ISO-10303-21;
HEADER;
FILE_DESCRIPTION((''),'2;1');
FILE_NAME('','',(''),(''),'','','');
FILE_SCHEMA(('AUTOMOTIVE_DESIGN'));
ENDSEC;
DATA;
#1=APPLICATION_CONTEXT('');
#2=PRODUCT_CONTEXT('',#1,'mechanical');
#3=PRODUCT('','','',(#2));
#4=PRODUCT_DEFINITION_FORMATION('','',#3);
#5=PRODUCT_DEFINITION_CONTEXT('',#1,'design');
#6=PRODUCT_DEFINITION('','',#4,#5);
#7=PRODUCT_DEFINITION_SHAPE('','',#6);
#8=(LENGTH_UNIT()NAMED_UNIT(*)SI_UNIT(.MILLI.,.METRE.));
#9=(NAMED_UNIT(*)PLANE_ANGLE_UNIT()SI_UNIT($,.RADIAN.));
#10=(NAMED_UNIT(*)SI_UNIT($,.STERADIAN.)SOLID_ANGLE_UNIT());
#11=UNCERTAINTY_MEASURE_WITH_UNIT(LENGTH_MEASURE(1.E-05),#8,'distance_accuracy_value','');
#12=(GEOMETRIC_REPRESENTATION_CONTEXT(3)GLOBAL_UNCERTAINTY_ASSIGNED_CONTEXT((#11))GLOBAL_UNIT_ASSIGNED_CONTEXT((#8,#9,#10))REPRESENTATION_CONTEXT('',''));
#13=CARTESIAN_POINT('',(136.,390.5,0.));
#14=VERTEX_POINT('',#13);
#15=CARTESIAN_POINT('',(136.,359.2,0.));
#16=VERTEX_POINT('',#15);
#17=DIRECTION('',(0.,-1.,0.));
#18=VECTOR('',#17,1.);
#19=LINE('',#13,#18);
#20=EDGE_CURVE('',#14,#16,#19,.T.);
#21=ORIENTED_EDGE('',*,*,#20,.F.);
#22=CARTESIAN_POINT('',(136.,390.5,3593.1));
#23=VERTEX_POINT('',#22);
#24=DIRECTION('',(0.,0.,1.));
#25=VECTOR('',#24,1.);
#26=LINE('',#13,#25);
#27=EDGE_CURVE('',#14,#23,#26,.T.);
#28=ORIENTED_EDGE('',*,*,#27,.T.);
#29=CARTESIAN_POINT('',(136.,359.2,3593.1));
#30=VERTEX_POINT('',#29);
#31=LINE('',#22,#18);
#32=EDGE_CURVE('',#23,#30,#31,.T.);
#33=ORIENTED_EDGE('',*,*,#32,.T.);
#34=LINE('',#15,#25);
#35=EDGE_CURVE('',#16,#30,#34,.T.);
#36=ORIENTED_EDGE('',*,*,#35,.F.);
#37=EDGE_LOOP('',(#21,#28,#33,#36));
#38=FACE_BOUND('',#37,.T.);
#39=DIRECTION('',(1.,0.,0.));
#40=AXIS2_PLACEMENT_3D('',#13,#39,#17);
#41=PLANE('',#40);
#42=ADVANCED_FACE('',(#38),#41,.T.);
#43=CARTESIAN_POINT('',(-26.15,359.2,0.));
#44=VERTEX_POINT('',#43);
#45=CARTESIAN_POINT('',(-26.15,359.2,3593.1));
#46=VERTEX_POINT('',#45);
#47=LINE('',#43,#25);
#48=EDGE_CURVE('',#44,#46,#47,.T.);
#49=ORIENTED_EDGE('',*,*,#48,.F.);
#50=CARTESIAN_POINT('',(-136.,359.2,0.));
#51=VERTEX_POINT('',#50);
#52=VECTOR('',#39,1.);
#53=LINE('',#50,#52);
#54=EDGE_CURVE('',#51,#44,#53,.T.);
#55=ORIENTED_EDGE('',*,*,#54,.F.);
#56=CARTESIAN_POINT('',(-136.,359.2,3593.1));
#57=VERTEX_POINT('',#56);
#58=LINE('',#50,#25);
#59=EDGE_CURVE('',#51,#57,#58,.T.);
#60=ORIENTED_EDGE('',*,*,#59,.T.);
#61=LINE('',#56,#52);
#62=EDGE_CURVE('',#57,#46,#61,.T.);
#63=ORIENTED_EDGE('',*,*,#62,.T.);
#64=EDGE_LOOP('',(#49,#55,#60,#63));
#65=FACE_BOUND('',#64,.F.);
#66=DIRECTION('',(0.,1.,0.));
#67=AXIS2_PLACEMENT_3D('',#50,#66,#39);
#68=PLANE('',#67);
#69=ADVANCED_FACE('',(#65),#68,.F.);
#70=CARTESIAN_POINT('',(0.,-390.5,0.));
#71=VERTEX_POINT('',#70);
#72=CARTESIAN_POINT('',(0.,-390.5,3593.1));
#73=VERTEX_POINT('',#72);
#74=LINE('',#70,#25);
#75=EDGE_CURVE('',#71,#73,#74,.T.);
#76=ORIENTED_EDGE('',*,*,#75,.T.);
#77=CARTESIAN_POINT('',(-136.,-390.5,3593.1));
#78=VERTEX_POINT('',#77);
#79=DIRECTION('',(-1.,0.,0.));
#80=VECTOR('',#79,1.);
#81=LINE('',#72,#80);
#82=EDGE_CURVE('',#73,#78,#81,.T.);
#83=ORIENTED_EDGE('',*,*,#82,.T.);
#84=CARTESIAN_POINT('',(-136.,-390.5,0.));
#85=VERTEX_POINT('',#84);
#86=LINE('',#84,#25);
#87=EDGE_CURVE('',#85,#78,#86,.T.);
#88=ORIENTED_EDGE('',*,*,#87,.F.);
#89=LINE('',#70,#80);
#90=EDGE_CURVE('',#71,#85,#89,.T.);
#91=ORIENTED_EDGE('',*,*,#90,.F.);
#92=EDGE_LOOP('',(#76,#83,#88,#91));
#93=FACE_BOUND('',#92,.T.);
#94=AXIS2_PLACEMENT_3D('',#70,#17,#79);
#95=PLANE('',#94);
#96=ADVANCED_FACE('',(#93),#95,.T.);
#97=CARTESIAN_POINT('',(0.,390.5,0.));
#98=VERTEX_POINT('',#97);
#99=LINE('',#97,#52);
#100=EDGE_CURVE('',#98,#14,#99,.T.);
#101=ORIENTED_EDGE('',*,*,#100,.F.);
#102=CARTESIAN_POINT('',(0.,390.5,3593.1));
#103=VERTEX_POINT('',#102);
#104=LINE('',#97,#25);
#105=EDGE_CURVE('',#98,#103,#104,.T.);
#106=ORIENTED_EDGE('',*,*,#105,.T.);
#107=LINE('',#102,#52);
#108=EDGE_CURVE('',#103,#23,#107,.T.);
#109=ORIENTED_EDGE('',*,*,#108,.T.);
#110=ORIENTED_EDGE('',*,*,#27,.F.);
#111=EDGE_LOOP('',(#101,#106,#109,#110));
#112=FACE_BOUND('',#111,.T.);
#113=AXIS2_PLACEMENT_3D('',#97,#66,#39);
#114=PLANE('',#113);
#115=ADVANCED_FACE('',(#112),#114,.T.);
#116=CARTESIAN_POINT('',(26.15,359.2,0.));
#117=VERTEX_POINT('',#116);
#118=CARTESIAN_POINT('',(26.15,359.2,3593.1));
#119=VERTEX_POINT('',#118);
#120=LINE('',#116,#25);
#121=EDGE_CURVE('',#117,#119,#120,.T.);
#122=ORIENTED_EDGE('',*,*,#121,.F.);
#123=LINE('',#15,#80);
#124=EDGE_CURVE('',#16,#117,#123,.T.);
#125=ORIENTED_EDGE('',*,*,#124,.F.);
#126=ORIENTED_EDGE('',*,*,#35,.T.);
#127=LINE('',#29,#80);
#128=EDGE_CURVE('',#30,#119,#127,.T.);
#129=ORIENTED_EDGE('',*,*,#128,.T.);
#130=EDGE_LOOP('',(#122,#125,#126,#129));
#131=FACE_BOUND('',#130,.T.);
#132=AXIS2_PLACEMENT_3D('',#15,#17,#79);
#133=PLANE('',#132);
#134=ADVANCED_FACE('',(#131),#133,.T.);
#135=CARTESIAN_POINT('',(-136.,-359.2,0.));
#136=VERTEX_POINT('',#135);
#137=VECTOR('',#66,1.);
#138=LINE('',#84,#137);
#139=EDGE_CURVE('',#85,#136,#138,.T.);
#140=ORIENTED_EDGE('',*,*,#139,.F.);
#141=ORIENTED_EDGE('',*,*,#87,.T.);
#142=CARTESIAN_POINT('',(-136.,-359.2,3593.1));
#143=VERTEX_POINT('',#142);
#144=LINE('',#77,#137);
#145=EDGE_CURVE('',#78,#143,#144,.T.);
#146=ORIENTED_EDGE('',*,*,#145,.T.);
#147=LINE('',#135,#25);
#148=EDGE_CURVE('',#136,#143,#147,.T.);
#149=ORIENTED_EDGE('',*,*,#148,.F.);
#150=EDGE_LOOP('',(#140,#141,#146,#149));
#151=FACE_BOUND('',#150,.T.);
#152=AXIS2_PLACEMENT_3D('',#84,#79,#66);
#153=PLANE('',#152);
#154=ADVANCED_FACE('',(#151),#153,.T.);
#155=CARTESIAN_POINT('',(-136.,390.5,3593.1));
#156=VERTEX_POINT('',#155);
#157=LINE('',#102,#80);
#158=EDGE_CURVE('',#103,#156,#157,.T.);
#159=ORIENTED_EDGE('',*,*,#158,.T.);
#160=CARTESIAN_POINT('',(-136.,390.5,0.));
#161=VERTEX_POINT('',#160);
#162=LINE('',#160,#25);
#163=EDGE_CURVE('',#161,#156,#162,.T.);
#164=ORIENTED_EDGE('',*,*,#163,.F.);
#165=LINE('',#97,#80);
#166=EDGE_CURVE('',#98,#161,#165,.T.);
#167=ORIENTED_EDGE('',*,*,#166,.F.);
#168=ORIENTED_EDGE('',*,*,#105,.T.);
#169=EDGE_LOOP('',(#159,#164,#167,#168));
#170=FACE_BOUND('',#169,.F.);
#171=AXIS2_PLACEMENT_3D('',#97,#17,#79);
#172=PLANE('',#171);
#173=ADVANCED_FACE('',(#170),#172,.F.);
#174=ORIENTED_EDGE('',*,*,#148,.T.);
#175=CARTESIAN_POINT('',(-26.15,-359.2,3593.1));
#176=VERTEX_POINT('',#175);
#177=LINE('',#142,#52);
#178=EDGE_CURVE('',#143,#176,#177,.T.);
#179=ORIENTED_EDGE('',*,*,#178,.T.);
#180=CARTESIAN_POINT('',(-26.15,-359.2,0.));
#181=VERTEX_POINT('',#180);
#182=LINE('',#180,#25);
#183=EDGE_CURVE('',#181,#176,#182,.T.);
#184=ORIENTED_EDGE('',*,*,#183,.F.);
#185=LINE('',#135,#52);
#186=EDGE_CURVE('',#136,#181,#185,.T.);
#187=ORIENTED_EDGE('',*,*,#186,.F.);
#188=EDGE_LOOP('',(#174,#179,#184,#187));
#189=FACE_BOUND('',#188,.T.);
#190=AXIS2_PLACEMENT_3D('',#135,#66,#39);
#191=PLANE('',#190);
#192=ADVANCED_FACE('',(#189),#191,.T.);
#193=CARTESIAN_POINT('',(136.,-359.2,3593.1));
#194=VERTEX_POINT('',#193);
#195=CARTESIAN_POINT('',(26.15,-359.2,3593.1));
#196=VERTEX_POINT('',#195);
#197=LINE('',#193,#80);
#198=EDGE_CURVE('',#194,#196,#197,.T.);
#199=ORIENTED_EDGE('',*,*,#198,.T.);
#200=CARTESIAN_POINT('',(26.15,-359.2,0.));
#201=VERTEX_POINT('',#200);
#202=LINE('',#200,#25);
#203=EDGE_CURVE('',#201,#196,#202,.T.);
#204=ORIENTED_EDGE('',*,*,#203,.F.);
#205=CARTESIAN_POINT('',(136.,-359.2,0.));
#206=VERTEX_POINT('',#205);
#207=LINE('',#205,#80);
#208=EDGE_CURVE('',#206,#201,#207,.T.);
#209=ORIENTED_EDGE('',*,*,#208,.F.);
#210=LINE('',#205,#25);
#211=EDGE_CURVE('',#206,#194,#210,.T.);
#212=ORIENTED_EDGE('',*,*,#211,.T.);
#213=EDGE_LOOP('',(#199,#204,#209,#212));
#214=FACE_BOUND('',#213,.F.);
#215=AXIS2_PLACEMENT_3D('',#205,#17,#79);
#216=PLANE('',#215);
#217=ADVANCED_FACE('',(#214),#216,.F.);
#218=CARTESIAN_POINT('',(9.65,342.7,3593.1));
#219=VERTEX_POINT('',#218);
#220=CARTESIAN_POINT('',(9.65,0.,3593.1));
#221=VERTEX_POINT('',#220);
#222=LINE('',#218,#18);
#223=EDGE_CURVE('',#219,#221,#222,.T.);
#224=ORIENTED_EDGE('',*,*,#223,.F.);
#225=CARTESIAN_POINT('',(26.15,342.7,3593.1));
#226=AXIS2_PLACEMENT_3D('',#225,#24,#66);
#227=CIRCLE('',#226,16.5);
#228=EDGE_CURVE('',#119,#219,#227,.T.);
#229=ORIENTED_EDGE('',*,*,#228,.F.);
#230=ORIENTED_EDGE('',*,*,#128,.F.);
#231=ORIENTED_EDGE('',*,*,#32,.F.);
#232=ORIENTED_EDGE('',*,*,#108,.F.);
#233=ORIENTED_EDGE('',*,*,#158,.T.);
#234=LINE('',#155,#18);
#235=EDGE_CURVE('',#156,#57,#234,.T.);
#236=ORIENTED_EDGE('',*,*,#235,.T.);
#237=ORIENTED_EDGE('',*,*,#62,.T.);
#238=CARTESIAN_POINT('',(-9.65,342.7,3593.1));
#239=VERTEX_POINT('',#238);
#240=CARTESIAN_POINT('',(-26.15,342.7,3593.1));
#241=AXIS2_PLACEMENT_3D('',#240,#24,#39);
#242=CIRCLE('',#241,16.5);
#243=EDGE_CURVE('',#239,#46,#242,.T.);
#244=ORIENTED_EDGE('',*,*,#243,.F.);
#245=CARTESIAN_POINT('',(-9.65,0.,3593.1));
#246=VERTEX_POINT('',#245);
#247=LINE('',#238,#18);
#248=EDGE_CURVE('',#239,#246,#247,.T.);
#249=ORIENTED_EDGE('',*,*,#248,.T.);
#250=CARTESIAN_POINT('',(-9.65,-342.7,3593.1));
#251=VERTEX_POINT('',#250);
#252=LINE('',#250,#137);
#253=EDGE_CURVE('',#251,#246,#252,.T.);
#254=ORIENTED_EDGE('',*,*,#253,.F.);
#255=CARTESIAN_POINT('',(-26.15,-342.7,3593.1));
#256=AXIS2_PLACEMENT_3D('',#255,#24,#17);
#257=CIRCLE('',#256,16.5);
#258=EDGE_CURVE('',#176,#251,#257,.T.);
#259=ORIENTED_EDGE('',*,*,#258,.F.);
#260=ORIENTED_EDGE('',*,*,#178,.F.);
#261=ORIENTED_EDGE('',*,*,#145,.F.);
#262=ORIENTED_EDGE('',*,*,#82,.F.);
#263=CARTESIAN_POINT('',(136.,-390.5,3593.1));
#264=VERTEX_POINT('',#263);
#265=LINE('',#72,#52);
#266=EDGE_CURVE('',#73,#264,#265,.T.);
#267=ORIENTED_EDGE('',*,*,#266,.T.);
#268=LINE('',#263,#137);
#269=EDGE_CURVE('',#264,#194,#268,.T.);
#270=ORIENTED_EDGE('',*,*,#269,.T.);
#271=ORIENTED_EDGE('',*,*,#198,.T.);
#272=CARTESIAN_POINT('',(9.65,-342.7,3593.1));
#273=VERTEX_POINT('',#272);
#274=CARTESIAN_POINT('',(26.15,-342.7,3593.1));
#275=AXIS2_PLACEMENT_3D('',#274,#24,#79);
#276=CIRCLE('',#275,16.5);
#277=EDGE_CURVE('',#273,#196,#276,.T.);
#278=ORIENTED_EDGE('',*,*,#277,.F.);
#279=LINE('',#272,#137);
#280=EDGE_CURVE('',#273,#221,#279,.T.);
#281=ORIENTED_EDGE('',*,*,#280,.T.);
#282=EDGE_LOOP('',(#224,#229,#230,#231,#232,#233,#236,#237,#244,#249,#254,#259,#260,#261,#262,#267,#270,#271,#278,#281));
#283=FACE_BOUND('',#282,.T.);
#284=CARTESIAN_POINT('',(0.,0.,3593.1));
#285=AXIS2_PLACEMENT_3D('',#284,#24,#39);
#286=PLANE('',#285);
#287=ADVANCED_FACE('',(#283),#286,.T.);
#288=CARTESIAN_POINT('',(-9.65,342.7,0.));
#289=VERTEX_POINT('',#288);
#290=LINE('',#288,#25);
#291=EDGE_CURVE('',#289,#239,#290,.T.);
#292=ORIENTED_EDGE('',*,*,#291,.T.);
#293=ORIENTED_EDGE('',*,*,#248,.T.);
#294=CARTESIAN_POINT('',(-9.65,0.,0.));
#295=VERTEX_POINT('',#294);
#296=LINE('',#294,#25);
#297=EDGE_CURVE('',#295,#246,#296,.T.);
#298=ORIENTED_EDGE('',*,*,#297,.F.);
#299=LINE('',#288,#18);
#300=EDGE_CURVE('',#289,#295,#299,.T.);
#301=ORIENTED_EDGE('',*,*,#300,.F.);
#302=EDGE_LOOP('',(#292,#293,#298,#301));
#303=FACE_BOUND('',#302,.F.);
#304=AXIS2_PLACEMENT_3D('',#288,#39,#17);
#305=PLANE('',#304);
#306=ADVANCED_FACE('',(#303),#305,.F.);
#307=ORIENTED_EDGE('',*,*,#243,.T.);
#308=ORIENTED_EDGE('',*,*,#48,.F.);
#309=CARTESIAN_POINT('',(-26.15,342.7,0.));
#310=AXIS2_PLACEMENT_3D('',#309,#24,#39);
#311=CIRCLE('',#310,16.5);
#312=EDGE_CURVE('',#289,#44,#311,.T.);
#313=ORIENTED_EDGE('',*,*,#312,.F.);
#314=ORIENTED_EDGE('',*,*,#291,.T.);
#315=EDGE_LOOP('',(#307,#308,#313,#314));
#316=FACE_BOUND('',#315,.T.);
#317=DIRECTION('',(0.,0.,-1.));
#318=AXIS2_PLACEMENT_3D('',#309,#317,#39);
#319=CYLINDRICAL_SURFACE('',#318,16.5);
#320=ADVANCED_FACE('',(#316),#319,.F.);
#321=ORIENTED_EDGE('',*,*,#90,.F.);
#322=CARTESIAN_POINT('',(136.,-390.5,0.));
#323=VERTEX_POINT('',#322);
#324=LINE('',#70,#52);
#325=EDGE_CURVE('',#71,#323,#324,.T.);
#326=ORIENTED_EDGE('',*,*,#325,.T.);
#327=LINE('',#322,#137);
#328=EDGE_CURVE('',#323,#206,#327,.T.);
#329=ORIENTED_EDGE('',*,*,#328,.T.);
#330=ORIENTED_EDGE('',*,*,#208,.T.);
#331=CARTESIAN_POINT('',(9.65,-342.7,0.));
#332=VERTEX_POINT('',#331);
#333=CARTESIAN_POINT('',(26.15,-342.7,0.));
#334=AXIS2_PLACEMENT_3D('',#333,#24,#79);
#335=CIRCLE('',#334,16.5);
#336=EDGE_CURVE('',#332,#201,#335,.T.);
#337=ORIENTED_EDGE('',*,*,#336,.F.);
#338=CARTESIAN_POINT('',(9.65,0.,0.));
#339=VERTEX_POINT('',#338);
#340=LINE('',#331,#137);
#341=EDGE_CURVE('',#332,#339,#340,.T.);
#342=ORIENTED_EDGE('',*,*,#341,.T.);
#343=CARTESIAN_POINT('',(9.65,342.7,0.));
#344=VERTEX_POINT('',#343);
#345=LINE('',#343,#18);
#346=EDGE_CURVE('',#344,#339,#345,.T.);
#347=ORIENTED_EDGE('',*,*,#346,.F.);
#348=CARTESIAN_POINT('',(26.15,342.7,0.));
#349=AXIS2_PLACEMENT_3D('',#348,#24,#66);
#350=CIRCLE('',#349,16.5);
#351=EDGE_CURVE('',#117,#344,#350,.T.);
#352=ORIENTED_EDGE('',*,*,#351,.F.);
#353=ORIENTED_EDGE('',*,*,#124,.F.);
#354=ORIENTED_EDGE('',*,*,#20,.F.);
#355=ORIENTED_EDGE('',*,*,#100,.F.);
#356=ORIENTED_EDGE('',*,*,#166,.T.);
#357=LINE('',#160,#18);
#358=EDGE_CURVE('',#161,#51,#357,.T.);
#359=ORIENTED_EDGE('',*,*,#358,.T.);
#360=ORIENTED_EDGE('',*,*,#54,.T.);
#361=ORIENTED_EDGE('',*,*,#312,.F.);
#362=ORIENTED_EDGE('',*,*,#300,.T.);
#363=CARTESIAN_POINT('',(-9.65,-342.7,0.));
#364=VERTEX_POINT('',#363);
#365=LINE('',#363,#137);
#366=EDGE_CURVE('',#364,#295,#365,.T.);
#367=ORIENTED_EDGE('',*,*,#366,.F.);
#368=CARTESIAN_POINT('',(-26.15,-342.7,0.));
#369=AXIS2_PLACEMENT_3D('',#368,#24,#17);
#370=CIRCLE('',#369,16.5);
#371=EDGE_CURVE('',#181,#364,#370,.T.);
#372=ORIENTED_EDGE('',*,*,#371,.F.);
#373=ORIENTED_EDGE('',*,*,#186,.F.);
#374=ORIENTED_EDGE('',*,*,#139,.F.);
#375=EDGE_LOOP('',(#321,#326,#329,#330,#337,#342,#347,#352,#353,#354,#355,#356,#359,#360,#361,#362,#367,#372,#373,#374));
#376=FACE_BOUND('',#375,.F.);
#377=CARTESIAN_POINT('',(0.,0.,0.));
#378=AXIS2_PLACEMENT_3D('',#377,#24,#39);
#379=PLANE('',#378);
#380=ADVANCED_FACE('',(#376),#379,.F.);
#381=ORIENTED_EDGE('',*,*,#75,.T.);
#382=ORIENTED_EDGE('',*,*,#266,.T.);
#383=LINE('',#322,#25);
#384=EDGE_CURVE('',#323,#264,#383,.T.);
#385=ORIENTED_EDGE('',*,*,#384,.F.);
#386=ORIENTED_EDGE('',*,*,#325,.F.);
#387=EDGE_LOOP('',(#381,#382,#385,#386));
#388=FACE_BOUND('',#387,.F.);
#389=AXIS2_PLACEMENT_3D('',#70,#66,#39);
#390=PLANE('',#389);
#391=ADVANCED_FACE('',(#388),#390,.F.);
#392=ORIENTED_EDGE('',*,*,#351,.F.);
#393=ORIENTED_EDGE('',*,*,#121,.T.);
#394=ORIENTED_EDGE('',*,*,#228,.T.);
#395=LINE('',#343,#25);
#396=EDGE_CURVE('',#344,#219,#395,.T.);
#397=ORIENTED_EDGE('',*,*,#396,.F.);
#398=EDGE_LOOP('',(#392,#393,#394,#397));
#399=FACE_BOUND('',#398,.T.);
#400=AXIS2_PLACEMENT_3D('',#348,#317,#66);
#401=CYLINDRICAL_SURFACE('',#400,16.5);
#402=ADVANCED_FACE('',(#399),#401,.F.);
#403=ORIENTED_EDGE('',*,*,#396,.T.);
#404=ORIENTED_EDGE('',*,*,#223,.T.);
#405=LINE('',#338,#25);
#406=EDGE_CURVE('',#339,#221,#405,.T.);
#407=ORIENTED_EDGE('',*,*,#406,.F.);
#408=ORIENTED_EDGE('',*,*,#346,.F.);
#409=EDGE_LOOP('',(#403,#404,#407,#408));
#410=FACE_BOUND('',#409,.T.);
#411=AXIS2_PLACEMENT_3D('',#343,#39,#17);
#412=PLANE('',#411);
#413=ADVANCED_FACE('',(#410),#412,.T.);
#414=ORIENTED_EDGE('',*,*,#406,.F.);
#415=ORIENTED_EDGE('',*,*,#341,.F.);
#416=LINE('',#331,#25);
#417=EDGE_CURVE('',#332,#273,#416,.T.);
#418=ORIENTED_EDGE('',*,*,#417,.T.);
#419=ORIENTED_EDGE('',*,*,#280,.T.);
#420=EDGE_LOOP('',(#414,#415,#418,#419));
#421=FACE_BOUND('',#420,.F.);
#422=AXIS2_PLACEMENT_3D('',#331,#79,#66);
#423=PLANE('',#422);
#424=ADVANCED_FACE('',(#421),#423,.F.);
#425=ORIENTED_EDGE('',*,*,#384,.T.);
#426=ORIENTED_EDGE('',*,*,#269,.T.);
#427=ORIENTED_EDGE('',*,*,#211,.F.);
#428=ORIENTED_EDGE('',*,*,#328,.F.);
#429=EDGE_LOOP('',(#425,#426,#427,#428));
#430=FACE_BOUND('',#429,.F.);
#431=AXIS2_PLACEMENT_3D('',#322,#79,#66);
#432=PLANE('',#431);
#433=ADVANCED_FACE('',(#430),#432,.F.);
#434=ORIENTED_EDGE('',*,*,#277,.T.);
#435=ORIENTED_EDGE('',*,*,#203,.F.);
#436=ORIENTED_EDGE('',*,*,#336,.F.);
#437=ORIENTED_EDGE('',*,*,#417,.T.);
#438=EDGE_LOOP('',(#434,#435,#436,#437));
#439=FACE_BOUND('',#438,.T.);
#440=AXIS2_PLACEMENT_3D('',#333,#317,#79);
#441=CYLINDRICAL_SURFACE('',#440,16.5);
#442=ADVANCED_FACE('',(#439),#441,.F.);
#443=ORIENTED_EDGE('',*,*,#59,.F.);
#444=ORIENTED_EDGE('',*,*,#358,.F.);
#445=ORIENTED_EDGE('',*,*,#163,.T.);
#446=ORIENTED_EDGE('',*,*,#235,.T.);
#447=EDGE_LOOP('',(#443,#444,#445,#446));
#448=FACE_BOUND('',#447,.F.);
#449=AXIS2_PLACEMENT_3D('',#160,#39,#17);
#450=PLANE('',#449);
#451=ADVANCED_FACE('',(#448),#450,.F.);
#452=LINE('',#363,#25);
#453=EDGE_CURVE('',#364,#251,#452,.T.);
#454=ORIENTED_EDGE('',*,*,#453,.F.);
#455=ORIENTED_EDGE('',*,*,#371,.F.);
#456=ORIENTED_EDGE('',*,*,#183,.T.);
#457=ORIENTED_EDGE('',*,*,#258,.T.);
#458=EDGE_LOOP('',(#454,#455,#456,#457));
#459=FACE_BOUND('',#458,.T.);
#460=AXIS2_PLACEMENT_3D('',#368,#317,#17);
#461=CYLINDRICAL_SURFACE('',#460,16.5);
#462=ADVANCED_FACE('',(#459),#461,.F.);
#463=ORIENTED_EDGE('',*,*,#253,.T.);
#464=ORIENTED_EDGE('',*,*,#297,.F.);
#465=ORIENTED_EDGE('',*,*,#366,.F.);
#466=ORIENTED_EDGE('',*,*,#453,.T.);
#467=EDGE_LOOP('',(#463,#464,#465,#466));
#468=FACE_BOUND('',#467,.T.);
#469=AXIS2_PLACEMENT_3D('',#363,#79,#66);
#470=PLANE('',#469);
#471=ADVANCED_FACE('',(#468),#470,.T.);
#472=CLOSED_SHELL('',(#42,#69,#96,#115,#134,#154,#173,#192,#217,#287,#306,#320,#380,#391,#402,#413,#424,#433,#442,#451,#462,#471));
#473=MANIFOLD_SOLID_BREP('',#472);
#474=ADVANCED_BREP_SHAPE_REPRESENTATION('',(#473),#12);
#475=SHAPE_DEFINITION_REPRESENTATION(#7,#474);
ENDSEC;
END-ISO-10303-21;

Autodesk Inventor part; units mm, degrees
ref_plane "YZ Plane" through (0, 0, 0) normal (1, 0, 0) x (0, 1, 0)
ref_plane "Start plane" through (0, 0, 0) normal (0, 0, 1) x (1, 0, 0)
ref_plane "End plane" through (0, 0, 3593.1) normal (0, 0, 1) x (1, 0, 0)
sketch "Sketch" plane through (0, 0, 0) normal (0, 0, 1) x (1, 0, 0)
  line L0 (-136, -390.5) -> (-136, -359.2)
  line L1 (-136, -359.2) -> (-26.15, -359.2)
  line L2 (-9.65, -342.7) -> (-9.65, 0)
  line L3 (-9.65, 0) -> (0, 0) construction
  line L4 (0, 0) -> (0, -390.5) construction
  line L5 (0, -390.5) -> (-136, -390.5)
  line L6 (-60, 0) -> (80, 0) construction
  line L7 (0, -60) -> (0, 80) construction
  line L8 (136, -390.5) -> (136, -359.2)
  line L9 (136, -359.2) -> (26.15, -359.2)
  line L10 (9.65, -342.7) -> (9.65, 0)
  line L11 (9.65, 0) -> (0, 0) construction
  line L12 (0, -390.5) -> (136, -390.5)
  line L13 (-136, 390.5) -> (-136, 359.2)
  line L14 (-136, 359.2) -> (-26.15, 359.2)
  line L15 (-9.65, 342.7) -> (-9.65, 0)
  line L16 (0, 390.5) -> (-136, 390.5)
  line L17 (136, 390.5) -> (136, 359.2)
  line L18 (136, 359.2) -> (26.15, 359.2)
  line L19 (0, 390.5) -> (136, 390.5)
  line L20 (9.65, 342.7) -> (9.65, 0)
  arc A0 (-9.65, 342.7) -> (-26.15, 359.2) centre (-26.15, 342.7) ccw
  arc A1 (26.15, 359.2) -> (9.65, 342.7) centre (26.15, 342.7) ccw
  arc A2 (9.65, -342.7) -> (26.15, -359.2) centre (26.15, -342.7) ccw
  arc A3 (-26.15, -359.2) -> (-9.65, -342.7) centre (-26.15, -342.7) ccw
  line L21 (0, 108) -> (0, -88) construction
  line L22 (-88, 0) -> (108, 0) construction
  point P0 (-9.65, -359.2)
  point P1 (9.65, -359.2)
  point P2 (-9.65, 359.2)
  point P3 (9.65, 359.2)
  dimension "d1" = 390.5
  dimension "d2" = 31.3
  dimension "d3" = 136
  dimension "d4" = 9.65
  dimension "d10" = 16.5
extrude "Body" add sketch "Sketch" along normal up to surface (3593.1 mm away) from surface at 0
sketch "Sketch4" plane through (0, 0, 0) normal (0, 0, 1) x (1, 0, 0)
  line L0 (0, 0) -> (10, 0)
ref_plane "Work Plane3" through (0, 0, 0) normal (0, -1, 0) x (1, 0, 0)
sketch "Sketch5" plane through (0, 0, 0) normal (0, -1, 0) x (1, 0, 0)
  line L0 (-2, 0) -> (12, 0) projected
  line L1 (-2, 3593.1) -> (12, 3593.1) projected
  dimension "d14" = 3593.1
equation "\"d1\" = 0.5 * G_H"
equation "\"d2\" = G_T1"
equation "\"d3\" = 0.5 * G_W"
equation "\"d4\" = 0.5 * G_T"
equation "\"d10\" = G_IR"
equation "\"d5\" = G_L"
equation "\"G_W\" = 272"
equation "\"G_H\" = 781"
equation "\"G_T\" = 19.3"
equation "\"G_T1\" = 31.3"
equation "\"G_IR\" = 16.5"
equation "\"G_L\" = d14"
equation "\"G_OFFSET_START\" = 0"
equation "\"G_OFFSET_END\" = 0"
equation "\"d12\" = G_OFFSET_END + B_L"
equation "\"B_L\" = 3593.1"
properties part number "AS 3679-1990 - 760 UB - 244 - 3593.1" material "Steel, Mild"
